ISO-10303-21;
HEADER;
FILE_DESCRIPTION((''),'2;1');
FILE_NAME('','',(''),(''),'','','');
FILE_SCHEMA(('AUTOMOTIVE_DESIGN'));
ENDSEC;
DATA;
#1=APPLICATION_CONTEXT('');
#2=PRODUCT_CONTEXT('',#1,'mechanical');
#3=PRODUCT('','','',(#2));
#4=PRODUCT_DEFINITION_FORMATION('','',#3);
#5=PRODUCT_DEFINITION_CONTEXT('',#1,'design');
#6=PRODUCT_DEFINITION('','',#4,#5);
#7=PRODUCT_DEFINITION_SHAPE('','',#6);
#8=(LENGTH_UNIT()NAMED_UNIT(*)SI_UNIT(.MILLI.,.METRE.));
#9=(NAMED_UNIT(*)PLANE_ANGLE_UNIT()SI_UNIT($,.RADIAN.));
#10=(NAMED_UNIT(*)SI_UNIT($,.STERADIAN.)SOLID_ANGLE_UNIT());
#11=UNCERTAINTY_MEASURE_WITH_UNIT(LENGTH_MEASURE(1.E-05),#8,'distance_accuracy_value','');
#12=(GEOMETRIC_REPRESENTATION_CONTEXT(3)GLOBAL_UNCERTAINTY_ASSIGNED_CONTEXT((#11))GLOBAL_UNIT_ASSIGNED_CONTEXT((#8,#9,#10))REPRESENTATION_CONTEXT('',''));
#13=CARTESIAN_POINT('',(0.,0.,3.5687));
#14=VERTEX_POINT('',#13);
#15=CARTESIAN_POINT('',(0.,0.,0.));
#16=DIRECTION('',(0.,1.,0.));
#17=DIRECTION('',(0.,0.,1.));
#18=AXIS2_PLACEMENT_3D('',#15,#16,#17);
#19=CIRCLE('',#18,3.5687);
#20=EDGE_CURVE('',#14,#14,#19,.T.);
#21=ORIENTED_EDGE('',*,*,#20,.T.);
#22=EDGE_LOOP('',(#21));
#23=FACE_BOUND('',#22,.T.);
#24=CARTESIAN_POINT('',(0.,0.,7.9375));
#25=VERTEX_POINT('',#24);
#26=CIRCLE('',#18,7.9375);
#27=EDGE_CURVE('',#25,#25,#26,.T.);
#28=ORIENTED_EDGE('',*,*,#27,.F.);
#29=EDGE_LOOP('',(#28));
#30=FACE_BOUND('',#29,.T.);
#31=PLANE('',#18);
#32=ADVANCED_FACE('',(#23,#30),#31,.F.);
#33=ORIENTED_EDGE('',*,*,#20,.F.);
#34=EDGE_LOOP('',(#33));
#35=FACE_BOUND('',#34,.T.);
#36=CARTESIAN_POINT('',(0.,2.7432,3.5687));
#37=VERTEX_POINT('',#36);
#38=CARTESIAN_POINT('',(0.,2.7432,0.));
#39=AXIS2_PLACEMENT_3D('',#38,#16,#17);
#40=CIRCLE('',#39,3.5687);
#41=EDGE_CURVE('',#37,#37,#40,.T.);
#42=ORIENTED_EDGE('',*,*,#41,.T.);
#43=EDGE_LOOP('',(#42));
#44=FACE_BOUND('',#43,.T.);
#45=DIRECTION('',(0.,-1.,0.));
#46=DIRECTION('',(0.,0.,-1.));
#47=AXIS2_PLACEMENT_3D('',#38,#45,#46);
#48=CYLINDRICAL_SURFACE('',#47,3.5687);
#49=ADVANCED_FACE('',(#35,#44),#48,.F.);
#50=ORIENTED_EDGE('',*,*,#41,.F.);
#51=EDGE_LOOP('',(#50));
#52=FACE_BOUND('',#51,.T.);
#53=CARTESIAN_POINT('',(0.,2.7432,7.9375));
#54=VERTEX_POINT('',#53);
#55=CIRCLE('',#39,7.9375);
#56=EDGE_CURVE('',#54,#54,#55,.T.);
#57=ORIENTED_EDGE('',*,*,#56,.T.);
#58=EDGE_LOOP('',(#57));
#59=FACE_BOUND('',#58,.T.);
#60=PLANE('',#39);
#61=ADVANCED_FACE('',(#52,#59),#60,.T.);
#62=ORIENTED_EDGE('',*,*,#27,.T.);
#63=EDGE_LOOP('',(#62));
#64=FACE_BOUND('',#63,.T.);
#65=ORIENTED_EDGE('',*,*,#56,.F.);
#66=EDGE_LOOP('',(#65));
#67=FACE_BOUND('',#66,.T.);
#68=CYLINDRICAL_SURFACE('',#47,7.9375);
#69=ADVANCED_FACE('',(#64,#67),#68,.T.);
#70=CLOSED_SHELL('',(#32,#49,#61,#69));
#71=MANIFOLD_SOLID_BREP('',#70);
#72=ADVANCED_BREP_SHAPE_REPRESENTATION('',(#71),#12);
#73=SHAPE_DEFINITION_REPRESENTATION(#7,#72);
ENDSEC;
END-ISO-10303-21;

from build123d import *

# Parameters (mm, degrees)
SKETCH1_R           = 7.9375
SKETCH1_R_2         = 3.5687
BOSS_EXTRUDE1_DEPTH = 2.7432


with BuildPart() as part:
    # Sketch1 → Boss-Extrude1 (new body)
    with BuildSketch(Plane(origin=(0, 0, 0), x_dir=(1, 0, 0), z_dir=(0, 1, 0))):
        with Locations(Location((0, 0, 0), (0, 0, 270))):
            Circle(SKETCH1_R)
        with Locations(Location((0, 0, 0), (0, 0, 270))):
            Circle(SKETCH1_R_2, mode=Mode.SUBTRACT)
    extrude(amount=BOSS_EXTRUDE1_DEPTH)


solid = part.part
